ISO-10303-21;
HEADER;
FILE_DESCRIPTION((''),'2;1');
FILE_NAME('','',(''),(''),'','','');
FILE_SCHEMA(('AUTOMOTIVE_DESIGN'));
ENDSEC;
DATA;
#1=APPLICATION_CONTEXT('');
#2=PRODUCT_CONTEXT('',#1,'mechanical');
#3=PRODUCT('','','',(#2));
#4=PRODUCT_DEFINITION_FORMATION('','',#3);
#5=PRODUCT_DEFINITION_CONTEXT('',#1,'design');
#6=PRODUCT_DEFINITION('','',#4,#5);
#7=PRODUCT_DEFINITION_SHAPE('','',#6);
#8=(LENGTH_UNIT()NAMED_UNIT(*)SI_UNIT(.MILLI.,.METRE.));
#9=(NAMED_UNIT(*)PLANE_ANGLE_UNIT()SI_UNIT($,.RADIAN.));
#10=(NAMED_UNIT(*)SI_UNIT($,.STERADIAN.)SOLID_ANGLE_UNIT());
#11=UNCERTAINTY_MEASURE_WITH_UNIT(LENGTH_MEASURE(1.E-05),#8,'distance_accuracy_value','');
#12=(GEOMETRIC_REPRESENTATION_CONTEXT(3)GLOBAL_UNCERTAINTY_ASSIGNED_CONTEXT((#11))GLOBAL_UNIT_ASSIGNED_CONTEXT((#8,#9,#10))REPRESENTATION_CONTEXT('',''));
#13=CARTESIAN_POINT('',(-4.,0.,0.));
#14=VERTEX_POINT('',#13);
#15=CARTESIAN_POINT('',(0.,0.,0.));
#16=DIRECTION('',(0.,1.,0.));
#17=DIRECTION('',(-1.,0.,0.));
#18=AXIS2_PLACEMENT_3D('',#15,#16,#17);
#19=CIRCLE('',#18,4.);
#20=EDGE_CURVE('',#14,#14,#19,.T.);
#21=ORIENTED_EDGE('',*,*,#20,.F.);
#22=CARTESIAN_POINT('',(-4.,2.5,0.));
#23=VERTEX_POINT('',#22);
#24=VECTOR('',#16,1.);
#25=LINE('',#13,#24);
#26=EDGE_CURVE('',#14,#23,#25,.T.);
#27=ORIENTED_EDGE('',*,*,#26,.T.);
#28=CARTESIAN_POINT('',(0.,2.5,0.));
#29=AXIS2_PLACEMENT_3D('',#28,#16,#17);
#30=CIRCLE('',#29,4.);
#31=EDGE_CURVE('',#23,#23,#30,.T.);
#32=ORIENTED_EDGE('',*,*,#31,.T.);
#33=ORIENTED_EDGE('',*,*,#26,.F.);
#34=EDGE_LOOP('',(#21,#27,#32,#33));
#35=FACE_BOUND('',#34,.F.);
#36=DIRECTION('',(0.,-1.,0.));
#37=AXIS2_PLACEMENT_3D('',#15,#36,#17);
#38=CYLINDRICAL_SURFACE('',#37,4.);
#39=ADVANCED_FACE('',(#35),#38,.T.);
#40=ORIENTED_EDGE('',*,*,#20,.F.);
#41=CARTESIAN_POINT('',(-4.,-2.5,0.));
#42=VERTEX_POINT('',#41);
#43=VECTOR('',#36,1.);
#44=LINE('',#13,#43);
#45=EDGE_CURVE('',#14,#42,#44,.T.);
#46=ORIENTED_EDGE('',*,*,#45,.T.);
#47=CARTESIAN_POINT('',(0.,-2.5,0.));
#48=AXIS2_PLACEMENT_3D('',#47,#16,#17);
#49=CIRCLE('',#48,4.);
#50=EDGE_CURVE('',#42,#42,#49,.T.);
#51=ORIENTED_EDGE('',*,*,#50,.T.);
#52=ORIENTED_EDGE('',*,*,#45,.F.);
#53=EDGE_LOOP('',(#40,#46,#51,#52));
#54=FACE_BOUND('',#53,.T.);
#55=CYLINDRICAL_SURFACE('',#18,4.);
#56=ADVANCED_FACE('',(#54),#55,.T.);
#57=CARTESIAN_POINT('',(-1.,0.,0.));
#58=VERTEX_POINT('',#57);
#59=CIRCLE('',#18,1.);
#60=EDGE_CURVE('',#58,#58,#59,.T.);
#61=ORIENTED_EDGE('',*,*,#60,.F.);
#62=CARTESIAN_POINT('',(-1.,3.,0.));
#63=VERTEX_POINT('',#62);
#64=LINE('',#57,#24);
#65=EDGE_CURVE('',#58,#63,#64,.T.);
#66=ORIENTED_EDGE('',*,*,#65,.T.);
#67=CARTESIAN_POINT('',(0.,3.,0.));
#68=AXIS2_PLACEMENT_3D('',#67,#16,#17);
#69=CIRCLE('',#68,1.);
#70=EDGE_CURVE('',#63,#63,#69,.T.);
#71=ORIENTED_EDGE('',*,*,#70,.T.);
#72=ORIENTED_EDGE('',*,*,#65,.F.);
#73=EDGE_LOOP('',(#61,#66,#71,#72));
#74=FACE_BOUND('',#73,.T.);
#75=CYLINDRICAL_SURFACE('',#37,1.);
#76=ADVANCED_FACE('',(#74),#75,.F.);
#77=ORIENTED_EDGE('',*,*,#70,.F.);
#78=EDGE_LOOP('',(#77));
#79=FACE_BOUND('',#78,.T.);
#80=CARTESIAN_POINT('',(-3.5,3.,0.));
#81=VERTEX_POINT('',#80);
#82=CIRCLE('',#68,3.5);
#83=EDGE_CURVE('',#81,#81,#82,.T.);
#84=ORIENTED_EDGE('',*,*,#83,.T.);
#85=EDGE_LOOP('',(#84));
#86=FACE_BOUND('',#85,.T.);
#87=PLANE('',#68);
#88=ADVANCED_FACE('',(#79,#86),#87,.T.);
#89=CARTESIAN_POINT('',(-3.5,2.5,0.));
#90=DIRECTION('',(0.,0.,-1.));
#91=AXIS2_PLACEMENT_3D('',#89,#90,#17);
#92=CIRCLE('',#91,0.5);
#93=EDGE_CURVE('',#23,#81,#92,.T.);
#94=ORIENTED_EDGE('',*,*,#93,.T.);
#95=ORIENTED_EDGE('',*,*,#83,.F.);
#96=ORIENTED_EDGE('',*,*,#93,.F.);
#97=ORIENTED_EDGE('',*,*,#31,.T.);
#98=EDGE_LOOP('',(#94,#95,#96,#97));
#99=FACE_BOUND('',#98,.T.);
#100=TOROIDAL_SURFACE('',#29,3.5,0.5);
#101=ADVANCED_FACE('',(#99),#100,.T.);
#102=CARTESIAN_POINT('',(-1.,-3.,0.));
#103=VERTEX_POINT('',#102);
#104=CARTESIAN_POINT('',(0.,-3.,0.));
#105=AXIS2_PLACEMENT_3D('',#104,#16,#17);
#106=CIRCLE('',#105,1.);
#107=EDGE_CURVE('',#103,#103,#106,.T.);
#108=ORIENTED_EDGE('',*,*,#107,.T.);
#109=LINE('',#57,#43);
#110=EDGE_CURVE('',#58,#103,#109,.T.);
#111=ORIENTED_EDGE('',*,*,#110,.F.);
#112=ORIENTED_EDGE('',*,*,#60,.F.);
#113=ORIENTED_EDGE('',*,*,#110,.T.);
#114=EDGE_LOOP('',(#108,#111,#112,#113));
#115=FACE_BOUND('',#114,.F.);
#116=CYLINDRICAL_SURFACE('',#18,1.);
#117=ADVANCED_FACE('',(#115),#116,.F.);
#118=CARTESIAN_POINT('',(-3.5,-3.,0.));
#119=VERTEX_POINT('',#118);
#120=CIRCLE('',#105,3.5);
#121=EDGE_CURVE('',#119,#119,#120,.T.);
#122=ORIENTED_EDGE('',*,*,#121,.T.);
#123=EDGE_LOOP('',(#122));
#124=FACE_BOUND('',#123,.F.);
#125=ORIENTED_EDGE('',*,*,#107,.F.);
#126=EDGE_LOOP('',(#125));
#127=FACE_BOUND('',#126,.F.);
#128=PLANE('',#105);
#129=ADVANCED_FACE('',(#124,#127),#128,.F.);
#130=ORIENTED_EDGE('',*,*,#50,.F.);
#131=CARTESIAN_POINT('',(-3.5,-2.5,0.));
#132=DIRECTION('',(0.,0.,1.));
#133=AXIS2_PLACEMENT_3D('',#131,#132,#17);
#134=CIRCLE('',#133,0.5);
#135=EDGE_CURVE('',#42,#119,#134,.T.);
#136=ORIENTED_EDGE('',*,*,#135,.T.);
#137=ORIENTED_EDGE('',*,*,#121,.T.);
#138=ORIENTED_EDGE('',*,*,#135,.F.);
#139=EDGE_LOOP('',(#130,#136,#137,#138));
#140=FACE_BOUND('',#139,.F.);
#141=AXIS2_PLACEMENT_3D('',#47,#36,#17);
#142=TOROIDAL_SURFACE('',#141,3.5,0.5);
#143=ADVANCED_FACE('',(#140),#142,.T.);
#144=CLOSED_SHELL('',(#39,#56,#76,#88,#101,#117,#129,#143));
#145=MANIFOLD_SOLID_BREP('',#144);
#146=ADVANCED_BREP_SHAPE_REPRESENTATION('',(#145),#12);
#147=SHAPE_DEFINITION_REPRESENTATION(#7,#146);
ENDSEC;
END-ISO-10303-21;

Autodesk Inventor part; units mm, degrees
ref_plane "YZ Plane" through (0, 0, 0) normal (1, 0, 0) x (0, 1, 0)
ref_plane "XZ Plane" through (0, 0, 0) normal (0, 1, 0) x (-1, 0, 0)
ref_plane "XY Plane" through (0, 0, 0) normal (0, 0, 1) x (1, 0, 0)
sketch "Skizze1" plane through (0, 0, 0) normal (0, 1, 0) x (-1, 0, 0)
  circle A0 centre (0, 0) radius 4
  circle A1 centre (0, 0) radius 1
  dimension "d0" = 8
  dimension "d1" = 2
extrude "Extrusion1" add sketch "Skizze1" along normal mid plane 6
fillet "Rundung1" radius 0.5 2 edges at (4, 3, 0) (4, -3, 0)
properties part number "magnet"
